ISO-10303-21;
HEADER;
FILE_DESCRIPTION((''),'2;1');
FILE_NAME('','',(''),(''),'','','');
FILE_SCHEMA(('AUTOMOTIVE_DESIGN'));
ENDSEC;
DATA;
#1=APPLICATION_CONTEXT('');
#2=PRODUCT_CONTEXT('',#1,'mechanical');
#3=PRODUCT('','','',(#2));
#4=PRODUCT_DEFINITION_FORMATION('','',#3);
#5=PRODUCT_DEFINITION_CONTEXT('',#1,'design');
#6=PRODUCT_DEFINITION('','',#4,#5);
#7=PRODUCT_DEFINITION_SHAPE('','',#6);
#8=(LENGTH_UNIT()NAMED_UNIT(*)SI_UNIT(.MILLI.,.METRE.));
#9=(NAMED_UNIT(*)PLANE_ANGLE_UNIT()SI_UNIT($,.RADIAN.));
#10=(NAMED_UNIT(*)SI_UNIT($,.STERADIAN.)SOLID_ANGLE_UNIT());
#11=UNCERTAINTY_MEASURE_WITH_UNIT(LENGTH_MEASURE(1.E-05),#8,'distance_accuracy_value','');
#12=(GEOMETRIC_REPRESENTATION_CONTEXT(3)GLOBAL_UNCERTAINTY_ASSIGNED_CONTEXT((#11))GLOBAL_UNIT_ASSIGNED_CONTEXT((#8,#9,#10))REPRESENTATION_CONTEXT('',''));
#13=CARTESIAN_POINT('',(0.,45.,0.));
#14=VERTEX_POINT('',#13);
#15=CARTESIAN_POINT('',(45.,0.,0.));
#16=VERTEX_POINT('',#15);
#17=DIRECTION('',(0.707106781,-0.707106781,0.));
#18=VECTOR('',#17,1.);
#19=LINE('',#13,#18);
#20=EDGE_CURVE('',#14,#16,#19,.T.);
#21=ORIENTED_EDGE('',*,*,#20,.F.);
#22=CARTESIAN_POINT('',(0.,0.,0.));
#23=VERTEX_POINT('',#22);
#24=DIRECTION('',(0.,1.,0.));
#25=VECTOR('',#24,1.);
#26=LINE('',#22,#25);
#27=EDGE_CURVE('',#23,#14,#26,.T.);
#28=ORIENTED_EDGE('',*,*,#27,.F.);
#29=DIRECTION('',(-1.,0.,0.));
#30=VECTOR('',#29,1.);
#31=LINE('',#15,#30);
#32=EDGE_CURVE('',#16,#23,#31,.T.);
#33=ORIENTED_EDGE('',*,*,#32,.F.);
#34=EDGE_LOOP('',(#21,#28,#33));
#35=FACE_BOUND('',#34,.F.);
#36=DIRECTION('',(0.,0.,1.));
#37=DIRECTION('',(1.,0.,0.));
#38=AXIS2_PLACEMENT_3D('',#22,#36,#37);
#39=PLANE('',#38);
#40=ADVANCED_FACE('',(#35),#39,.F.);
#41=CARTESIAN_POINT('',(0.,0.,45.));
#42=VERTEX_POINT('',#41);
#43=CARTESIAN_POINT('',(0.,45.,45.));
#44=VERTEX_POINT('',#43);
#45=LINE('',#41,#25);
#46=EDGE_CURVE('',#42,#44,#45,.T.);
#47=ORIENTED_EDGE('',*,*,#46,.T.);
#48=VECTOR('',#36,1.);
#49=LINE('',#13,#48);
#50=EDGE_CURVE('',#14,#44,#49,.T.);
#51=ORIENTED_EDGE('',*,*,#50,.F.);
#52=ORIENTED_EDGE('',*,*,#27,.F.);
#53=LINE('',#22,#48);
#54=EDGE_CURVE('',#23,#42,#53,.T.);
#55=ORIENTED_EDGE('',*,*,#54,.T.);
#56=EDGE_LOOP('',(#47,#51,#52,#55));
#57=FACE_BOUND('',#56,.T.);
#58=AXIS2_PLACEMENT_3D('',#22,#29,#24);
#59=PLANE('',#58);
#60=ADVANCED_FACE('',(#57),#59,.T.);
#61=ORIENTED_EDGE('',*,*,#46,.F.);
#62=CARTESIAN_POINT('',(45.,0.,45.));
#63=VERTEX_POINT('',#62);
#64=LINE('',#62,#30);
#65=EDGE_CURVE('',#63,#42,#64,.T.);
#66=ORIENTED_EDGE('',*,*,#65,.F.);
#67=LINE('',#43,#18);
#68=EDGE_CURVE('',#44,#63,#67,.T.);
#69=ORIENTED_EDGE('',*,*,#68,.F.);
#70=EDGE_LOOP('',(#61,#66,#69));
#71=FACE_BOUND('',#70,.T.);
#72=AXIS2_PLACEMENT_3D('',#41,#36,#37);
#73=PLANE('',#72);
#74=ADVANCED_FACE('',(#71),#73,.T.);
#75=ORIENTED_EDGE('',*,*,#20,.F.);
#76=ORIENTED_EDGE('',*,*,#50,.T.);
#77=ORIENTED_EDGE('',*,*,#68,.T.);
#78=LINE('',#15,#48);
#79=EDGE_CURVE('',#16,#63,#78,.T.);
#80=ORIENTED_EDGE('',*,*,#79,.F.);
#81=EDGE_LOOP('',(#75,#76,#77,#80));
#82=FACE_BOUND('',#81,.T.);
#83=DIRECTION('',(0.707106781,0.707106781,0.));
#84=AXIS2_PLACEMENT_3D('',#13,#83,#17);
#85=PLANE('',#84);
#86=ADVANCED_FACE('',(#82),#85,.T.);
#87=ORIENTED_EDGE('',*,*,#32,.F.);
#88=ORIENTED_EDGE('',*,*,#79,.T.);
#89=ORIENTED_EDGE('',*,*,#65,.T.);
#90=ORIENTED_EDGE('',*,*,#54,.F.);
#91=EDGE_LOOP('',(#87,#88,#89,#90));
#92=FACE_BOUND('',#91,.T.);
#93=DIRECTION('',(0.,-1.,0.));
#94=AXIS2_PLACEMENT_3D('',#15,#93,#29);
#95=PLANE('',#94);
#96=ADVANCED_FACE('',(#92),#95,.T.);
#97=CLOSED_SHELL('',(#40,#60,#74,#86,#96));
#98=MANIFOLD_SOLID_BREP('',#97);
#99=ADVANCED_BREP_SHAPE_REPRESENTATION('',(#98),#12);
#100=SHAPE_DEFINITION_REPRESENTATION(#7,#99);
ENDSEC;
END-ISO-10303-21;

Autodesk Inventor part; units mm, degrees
ref_plane "YZ Plane" through (0, 0, 0) normal (1, 0, 0) x (0, 1, 0)
ref_plane "XZ Plane" through (0, 0, 0) normal (0, 1, 0) x (-1, 0, 0)
ref_plane "XY Plane" through (0, 0, 0) normal (0, 0, 1) x (1, 0, 0)
sketch "Skizze1" plane through (0, 0, 0) normal (0, 0, 1) x (1, 0, 0)
  line L0 (0, 0) -> (0, 45)
  line L1 (0, 45) -> (45, 0)
  line L2 (45, 0) -> (0, 0)
  dimension "d0" = 45
  dimension "d1" = 45
extrude "Extrusion1" add sketch "Skizze1" along normal blind 45
properties part number "Winkel 45x45 mit Nutführung Nut 10"
